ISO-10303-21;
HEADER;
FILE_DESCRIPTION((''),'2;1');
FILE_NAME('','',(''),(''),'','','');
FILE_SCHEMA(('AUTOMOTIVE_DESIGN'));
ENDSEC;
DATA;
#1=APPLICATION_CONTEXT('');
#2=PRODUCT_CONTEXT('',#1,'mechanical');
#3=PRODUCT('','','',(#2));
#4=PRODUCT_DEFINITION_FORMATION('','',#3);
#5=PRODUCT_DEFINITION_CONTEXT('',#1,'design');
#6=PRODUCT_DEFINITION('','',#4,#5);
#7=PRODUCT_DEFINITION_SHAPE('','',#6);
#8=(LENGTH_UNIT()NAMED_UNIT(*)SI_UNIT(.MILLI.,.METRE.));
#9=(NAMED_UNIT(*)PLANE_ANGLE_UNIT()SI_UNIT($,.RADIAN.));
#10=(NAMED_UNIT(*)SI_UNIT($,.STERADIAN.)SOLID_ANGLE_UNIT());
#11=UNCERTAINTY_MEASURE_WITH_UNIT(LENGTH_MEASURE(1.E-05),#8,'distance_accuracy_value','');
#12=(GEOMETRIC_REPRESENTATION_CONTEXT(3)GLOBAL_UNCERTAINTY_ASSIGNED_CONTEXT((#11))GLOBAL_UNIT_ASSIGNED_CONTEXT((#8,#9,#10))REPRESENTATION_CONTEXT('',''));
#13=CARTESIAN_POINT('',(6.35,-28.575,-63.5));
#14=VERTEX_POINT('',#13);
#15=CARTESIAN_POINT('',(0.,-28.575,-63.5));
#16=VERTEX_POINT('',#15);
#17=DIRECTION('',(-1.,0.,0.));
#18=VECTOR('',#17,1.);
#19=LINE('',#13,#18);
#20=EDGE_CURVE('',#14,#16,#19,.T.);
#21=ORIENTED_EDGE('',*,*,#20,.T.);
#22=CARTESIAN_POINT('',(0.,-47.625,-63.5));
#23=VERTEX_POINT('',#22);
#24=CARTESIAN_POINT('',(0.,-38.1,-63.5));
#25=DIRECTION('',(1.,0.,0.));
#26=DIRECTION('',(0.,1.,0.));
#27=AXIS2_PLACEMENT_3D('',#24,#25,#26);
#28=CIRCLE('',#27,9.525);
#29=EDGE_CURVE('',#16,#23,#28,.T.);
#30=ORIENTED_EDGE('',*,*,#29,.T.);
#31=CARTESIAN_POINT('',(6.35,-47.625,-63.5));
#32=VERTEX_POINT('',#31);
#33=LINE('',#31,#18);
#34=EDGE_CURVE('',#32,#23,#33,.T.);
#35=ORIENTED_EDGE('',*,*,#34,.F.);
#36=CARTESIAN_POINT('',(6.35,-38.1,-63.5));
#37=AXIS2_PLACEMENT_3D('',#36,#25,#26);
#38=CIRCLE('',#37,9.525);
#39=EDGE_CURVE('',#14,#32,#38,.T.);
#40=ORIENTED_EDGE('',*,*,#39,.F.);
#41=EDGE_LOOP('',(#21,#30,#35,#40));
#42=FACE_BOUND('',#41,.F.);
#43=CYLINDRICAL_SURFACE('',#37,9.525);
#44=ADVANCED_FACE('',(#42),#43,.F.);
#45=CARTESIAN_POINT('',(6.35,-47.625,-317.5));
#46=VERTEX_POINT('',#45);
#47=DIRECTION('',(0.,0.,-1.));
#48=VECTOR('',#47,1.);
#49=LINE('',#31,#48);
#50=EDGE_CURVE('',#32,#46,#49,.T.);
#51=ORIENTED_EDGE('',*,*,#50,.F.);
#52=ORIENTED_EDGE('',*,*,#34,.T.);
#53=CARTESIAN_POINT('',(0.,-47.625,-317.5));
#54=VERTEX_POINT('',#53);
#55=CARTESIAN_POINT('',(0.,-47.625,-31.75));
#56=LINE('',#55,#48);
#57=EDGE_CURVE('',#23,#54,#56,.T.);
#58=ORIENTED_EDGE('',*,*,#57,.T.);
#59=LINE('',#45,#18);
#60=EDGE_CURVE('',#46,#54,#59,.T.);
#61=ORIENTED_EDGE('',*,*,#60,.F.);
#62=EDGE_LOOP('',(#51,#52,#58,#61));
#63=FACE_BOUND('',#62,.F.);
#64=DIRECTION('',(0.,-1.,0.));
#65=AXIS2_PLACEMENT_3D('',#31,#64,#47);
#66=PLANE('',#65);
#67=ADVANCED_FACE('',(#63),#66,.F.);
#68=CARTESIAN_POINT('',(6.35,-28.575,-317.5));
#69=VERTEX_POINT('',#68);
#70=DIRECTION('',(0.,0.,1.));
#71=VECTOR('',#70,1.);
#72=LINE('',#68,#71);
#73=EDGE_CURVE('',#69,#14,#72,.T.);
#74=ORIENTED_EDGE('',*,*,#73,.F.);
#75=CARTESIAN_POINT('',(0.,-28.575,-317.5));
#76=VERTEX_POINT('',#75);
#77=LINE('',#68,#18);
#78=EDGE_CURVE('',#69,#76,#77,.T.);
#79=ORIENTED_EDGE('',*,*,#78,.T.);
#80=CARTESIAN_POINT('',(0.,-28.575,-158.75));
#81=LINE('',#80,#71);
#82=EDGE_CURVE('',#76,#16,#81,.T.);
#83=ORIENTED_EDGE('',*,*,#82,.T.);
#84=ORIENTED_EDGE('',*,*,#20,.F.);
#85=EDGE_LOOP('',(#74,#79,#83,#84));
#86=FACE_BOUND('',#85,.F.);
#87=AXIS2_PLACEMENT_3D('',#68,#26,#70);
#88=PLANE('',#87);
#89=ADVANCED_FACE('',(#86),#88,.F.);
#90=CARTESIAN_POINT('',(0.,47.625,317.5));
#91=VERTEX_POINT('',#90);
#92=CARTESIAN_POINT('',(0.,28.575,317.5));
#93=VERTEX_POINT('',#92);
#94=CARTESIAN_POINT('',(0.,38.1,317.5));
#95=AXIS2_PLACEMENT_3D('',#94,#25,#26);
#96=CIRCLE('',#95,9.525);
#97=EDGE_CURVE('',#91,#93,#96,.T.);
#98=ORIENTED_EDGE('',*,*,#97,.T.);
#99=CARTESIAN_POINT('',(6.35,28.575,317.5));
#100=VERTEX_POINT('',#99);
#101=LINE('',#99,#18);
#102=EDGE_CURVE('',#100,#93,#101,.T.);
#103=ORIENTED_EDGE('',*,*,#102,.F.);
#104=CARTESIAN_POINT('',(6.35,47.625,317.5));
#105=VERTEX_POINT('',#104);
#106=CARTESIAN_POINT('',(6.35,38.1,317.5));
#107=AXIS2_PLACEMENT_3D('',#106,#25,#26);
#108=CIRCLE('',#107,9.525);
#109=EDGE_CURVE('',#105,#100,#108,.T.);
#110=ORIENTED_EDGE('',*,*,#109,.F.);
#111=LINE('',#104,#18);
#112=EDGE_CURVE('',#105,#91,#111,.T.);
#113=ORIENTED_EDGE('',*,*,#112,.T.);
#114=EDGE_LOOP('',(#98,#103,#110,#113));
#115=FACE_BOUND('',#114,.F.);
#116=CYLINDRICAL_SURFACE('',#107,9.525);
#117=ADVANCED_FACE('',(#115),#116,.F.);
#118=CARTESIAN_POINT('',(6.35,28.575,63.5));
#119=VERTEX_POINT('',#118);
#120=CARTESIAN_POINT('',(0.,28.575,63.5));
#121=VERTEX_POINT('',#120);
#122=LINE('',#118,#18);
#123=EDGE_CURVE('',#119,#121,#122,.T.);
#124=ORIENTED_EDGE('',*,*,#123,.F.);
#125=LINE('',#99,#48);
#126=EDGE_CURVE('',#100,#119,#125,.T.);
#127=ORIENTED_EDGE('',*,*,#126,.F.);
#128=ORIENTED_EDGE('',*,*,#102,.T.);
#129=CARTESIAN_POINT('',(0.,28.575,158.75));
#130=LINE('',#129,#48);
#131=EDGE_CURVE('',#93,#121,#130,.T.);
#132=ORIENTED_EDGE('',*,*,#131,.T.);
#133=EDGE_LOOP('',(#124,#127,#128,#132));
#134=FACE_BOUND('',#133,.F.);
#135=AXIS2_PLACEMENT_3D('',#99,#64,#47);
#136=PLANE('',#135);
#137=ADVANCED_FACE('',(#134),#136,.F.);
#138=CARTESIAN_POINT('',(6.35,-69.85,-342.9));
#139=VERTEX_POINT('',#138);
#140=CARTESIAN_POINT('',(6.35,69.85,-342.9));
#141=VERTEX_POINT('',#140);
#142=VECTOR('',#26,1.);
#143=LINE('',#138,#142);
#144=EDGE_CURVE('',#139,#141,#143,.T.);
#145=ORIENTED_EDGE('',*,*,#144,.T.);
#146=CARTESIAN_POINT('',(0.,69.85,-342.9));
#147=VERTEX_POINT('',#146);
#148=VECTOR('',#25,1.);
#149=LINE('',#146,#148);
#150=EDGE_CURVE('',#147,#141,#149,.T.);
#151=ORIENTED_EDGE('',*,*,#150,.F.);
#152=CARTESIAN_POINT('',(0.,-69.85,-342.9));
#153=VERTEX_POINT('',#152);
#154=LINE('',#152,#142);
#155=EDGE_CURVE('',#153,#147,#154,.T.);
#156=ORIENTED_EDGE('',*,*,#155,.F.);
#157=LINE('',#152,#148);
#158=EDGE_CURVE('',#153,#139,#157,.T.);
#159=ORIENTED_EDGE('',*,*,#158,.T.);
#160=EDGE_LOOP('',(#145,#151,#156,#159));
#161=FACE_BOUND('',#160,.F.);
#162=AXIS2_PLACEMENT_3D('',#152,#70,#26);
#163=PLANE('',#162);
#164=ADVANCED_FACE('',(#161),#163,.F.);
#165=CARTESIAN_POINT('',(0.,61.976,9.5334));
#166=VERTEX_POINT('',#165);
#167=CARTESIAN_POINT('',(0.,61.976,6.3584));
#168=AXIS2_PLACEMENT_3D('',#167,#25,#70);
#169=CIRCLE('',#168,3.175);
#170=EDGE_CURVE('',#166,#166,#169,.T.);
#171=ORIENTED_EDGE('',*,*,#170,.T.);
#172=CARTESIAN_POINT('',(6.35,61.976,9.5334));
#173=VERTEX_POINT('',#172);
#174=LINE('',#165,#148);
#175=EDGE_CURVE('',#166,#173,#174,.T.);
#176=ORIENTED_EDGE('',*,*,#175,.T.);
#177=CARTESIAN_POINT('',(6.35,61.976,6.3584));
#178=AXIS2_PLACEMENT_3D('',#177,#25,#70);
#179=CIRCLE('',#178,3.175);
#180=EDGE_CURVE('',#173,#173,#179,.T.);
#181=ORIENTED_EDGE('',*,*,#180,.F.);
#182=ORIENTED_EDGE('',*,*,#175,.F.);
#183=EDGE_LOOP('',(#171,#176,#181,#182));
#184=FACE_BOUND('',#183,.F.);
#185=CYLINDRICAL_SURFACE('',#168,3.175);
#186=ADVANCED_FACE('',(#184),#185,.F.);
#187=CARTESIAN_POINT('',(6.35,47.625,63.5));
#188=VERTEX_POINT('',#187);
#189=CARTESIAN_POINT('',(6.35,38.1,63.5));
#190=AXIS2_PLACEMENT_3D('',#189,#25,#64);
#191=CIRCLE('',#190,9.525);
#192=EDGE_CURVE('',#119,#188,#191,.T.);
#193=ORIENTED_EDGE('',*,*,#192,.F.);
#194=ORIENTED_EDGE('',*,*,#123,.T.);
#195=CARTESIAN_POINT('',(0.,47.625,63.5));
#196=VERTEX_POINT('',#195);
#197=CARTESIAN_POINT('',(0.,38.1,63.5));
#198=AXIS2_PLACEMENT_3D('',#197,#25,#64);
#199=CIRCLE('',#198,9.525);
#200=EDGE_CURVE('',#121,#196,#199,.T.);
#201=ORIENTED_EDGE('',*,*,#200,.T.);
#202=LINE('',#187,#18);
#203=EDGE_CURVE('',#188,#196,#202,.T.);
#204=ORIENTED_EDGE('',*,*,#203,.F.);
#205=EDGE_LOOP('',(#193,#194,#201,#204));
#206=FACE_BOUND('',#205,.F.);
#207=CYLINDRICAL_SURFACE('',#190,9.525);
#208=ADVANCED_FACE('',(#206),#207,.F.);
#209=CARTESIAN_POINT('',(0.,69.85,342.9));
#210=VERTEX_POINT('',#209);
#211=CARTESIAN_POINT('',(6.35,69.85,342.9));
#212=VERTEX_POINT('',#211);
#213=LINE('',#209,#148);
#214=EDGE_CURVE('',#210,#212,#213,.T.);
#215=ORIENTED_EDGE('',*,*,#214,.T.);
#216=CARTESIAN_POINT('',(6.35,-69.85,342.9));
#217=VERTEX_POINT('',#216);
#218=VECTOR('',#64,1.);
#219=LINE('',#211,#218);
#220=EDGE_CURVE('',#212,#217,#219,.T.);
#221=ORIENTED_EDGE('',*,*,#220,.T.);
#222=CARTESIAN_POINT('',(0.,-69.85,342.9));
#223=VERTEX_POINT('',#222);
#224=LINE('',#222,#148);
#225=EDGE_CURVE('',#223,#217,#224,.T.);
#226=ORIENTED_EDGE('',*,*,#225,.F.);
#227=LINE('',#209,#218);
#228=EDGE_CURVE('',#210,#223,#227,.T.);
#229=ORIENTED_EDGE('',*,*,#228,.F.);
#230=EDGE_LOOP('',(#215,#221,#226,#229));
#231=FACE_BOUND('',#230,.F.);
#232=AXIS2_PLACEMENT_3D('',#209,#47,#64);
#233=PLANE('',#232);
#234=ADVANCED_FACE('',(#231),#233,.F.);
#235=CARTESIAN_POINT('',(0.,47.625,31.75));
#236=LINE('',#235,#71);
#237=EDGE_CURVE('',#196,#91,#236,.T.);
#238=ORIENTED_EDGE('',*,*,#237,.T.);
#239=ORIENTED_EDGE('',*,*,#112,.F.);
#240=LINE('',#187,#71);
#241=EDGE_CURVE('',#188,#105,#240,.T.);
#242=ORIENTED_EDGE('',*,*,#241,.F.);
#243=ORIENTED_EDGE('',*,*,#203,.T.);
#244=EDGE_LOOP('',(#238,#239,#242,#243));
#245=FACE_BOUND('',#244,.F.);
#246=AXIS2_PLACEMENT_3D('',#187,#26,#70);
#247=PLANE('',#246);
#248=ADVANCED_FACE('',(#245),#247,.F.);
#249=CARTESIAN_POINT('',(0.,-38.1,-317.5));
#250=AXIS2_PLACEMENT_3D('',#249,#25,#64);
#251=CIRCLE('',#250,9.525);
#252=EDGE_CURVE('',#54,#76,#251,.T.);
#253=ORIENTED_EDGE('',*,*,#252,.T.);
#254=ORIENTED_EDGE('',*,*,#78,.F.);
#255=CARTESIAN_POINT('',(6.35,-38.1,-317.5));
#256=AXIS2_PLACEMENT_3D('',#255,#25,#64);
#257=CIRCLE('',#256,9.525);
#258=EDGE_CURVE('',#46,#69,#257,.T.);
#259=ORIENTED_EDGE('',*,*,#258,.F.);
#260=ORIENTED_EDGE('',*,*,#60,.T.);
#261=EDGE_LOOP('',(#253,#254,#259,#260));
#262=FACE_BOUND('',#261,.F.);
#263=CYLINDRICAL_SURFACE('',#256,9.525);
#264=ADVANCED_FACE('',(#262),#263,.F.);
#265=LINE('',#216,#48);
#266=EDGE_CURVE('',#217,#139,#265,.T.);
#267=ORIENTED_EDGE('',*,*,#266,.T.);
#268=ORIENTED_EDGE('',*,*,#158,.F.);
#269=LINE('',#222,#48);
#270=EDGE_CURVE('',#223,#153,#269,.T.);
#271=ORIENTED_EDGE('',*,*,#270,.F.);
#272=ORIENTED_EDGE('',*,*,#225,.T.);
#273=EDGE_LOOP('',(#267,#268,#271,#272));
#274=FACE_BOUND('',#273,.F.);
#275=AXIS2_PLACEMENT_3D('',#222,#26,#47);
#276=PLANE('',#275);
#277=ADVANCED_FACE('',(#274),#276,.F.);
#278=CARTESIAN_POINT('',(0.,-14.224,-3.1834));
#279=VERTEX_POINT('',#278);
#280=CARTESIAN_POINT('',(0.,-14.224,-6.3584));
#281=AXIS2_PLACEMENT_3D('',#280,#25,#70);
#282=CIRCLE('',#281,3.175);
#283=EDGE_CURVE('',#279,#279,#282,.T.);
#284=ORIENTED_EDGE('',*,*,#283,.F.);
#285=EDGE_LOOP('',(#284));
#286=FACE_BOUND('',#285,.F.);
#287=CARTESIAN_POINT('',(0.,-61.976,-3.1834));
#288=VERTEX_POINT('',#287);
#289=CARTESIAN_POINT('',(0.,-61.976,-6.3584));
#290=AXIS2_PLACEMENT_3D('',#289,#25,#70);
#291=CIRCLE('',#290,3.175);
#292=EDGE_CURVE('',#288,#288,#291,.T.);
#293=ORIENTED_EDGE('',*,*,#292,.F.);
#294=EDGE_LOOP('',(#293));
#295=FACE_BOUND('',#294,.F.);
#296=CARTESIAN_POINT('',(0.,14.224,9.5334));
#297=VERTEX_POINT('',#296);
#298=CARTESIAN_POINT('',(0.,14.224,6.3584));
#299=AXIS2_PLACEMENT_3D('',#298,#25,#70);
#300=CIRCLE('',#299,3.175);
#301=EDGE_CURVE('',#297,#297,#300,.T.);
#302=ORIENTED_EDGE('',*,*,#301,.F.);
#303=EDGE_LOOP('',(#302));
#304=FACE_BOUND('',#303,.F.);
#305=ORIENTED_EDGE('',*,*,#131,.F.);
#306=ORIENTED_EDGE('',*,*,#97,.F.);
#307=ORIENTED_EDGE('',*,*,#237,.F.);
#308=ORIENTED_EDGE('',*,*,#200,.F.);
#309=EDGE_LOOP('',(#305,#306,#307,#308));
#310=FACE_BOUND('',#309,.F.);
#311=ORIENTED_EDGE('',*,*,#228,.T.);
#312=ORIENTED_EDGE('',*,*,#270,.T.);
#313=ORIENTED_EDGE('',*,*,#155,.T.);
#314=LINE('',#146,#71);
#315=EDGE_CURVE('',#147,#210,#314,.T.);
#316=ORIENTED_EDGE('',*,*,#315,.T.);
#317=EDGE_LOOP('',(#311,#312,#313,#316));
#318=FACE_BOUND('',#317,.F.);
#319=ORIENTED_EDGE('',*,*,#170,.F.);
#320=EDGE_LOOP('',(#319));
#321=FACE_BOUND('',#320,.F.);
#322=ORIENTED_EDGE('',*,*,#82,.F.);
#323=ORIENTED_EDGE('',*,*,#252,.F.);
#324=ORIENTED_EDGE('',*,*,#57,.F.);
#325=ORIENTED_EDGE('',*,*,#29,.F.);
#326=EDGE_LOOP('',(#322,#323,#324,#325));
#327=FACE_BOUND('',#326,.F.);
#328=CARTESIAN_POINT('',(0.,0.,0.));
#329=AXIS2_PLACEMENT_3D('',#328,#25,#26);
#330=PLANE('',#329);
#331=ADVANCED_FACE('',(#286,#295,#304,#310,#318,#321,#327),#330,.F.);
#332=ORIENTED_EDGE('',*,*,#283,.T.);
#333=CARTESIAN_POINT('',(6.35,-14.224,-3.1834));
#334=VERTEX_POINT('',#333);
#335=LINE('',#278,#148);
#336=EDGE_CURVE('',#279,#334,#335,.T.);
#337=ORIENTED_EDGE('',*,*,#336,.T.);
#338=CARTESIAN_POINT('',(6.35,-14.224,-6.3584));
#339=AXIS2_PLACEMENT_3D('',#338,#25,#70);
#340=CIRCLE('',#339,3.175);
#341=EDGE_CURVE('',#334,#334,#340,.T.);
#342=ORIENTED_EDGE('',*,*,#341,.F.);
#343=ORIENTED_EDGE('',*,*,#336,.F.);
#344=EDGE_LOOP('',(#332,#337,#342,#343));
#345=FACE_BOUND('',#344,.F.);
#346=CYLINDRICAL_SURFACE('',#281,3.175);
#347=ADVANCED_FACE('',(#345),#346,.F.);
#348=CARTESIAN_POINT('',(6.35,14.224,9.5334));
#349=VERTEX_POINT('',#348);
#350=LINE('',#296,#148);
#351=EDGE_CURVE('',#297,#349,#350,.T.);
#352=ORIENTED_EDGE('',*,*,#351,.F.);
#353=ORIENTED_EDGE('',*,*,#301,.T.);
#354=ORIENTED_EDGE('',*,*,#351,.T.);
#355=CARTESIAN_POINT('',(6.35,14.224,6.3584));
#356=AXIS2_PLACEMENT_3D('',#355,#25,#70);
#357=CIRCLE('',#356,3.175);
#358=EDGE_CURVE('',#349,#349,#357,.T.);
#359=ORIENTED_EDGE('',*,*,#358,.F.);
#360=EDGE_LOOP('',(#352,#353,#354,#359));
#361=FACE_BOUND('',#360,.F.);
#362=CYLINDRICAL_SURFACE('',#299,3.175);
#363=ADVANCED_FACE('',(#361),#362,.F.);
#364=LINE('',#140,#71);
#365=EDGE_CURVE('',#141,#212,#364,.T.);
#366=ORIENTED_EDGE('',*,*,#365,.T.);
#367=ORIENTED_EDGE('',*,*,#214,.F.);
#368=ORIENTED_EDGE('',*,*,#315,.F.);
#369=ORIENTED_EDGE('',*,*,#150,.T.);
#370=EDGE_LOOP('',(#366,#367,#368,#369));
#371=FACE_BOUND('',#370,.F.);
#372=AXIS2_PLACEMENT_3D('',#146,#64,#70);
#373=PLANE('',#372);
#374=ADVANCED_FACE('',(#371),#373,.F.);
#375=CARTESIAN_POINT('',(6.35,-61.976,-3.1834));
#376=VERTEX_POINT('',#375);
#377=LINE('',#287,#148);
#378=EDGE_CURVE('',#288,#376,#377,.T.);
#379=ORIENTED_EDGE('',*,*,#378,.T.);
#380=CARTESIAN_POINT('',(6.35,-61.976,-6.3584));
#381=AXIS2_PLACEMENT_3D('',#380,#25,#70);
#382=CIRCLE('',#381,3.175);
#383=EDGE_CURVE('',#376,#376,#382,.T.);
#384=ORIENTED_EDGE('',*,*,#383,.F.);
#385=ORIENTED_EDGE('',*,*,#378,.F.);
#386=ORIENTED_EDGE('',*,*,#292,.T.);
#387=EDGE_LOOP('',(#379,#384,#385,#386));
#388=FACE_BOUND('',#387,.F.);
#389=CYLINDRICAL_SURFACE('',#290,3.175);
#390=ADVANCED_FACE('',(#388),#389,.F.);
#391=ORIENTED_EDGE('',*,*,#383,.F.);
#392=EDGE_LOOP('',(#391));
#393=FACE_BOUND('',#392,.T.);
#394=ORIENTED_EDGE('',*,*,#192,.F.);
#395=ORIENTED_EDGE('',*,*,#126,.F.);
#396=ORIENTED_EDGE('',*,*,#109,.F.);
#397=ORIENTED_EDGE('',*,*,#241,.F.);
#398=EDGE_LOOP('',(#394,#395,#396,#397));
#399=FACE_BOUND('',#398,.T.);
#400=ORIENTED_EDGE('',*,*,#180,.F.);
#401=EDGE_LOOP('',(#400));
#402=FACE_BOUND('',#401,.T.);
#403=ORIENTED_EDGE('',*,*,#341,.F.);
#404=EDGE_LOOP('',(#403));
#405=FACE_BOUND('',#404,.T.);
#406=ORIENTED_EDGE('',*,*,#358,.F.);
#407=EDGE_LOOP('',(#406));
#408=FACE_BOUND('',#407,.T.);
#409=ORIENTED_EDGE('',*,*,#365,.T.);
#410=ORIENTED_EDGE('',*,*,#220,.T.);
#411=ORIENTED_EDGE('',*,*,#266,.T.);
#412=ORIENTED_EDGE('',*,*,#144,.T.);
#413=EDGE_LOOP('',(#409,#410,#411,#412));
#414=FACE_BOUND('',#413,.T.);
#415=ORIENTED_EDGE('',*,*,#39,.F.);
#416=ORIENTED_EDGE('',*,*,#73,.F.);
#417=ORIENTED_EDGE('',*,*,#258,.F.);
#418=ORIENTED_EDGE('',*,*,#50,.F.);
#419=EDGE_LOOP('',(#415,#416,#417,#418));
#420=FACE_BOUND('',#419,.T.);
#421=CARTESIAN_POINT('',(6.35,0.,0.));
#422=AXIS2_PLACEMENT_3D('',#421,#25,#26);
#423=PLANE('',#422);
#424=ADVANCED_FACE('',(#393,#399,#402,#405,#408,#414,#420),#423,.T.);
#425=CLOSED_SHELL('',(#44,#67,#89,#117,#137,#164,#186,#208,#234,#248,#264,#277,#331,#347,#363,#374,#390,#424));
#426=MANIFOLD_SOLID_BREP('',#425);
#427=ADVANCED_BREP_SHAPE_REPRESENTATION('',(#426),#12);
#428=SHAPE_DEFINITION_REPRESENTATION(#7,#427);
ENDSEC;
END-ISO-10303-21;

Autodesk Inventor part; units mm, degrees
ref_plane "YZ Plane" through (0, 0, 0) normal (1, 0, 0) x (0, 1, 0)
ref_plane "XZ Plane" through (0, 0, 0) normal (0, 1, 0) x (-1, 0, 0)
ref_plane "XY Plane" through (0, 0, 0) normal (0, 0, 1) x (1, 0, 0)
sketch "Sketch1" plane through (0, 0, 0) normal (1, 0, 0) x (0, 1, 0)
  line L0 (-69.85, 342.9) -> (-69.85, -342.9)
  line L1 (-69.85, -342.9) -> (69.85, -342.9)
  line L2 (69.85, -342.9) -> (69.85, 342.9)
  line L3 (69.85, 342.9) -> (-69.85, 342.9)
  line L4 (-69.85, 342.9) -> (69.85, -342.9) construction
  line L5 (-69.85, -342.9) -> (69.85, 342.9) construction
  point P0 (0, 0)
  dimension "width" = 685.8
  dimension "height" = 139.7
extrude "Extrusion1" add sketch "Sketch1" along normal blind 6.35
sketch "Sketch2" plane through (6.35, 0, 0) normal (1, 0, 0) x (0, 0, -1)
  line L0 (-317.5, 38.1) -> (-63.5, 38.1) construction
  line L1 (-317.5, 28.575) -> (-63.5, 28.575)
  line L2 (-63.5, 47.625) -> (-317.5, 47.625)
  arc A0 (-317.5, 47.625) -> (-317.5, 28.575) centre (-317.5, 38.1) ccw
  arc A1 (-63.5, 28.575) -> (-63.5, 47.625) centre (-63.5, 38.1) ccw
  line L3 (342.9, 69.85) -> (-342.9, 69.85) projected
  line L4 (-342.9, 69.85) -> (-342.9, -69.85) projected
  line L5 (63.5, -38.1) -> (317.5, -38.1) construction
  line L6 (63.5, -47.625) -> (317.5, -47.625)
  line L7 (317.5, -28.575) -> (63.5, -28.575)
  arc A2 (63.5, -28.575) -> (63.5, -47.625) centre (63.5, -38.1) ccw
  arc A3 (317.5, -47.625) -> (317.5, -28.575) centre (317.5, -38.1) ccw
  line L8 (-342.9, -69.85) -> (342.9, -69.85) projected
  line L9 (342.9, -69.85) -> (342.9, 69.85) projected
  point P0 (0, 0)
  point P1 (-190.5, 38.1)
  point P2 (190.5, -38.1)
  dimension "slot_center_from_top" = 31.75
  dimension "slot_center_from_side" = 152.4
  dimension "slot_radius" = 9.525
  dimension "d7" = 31.75
  dimension "d8" = 152.4
  dimension "d9" = 9.525
  dimension "length_of_slot" = 254
  dimension "d13" = 254
extrude "Extrusion2" cut sketch "Sketch2" against normal through all contours A0 L2 A1 L1 | A2 L7 A3 L6
sketch "Sketch3" plane through (0, 0, 0) normal (-1, 0, 0) x (0, 0, 1)
  line L0 (-342.9, 69.85) -> (342.9, 69.85) construction
  line L1 (6.3584, 69.85) -> (6.3584, -72.7678) construction
  line L2 (342.9, 69.85) -> (342.9, -69.85) construction
  line L3 (-6.3584, 69.85) -> (-6.3584, -69.85) construction
  line L4 (-342.9, -69.85) -> (-342.9, 69.85) construction
  line L5 (-6.3584, 61.976) -> (6.3584, 61.976) construction
  line L6 (-6.3584, -61.976) -> (6.3584, -61.976) construction
  line L7 (342.9, -69.85) -> (-342.9, -69.85) construction
  line L8 (-6.3584, 14.224) -> (6.3584, 14.224) construction
  line L9 (-6.3584, -14.224) -> (6.3584, -14.224) construction
  point P0 (0, 0)
  point P1 (80.6051, 237.827)
  point P2 (47.886, -92.9067)
  dimension "Vertical_Line_For_Bolt_Holes" = 336.5416
  dimension "d15" = 336.5416
  dimension "First_Horizontal_Line" = 7.874
  dimension "d17" = 7.874
  dimension "Second_Horizontal_Line" = 47.752
  dimension "d19" = 47.752
hole "Hole1" at (0, 61.976, 6.3584) at (0, -61.976, -6.3584) at (0, 237.827, 80.6051) at (0, -92.9067, 47.886) at (0, 14.224, 6.3584) at (0, -14.224, -6.3584) direction (1, 0, 0) diameter 6.35 end through all
equation "\"d7\" = slot_center_from_top"
equation "\"d8\" = slot_center_from_side"
equation "\"d9\" = slot_radius"
equation "\"d13\" = length_of_slot"
equation "\"d15\" = Vertical_Line_For_Bolt_Holes"
equation "\"d17\" = First_Horizontal_Line"
equation "\"d19\" = Second_Horizontal_Line"
properties part number "Plot for Gripper-09" material "Aluminum 6061"
